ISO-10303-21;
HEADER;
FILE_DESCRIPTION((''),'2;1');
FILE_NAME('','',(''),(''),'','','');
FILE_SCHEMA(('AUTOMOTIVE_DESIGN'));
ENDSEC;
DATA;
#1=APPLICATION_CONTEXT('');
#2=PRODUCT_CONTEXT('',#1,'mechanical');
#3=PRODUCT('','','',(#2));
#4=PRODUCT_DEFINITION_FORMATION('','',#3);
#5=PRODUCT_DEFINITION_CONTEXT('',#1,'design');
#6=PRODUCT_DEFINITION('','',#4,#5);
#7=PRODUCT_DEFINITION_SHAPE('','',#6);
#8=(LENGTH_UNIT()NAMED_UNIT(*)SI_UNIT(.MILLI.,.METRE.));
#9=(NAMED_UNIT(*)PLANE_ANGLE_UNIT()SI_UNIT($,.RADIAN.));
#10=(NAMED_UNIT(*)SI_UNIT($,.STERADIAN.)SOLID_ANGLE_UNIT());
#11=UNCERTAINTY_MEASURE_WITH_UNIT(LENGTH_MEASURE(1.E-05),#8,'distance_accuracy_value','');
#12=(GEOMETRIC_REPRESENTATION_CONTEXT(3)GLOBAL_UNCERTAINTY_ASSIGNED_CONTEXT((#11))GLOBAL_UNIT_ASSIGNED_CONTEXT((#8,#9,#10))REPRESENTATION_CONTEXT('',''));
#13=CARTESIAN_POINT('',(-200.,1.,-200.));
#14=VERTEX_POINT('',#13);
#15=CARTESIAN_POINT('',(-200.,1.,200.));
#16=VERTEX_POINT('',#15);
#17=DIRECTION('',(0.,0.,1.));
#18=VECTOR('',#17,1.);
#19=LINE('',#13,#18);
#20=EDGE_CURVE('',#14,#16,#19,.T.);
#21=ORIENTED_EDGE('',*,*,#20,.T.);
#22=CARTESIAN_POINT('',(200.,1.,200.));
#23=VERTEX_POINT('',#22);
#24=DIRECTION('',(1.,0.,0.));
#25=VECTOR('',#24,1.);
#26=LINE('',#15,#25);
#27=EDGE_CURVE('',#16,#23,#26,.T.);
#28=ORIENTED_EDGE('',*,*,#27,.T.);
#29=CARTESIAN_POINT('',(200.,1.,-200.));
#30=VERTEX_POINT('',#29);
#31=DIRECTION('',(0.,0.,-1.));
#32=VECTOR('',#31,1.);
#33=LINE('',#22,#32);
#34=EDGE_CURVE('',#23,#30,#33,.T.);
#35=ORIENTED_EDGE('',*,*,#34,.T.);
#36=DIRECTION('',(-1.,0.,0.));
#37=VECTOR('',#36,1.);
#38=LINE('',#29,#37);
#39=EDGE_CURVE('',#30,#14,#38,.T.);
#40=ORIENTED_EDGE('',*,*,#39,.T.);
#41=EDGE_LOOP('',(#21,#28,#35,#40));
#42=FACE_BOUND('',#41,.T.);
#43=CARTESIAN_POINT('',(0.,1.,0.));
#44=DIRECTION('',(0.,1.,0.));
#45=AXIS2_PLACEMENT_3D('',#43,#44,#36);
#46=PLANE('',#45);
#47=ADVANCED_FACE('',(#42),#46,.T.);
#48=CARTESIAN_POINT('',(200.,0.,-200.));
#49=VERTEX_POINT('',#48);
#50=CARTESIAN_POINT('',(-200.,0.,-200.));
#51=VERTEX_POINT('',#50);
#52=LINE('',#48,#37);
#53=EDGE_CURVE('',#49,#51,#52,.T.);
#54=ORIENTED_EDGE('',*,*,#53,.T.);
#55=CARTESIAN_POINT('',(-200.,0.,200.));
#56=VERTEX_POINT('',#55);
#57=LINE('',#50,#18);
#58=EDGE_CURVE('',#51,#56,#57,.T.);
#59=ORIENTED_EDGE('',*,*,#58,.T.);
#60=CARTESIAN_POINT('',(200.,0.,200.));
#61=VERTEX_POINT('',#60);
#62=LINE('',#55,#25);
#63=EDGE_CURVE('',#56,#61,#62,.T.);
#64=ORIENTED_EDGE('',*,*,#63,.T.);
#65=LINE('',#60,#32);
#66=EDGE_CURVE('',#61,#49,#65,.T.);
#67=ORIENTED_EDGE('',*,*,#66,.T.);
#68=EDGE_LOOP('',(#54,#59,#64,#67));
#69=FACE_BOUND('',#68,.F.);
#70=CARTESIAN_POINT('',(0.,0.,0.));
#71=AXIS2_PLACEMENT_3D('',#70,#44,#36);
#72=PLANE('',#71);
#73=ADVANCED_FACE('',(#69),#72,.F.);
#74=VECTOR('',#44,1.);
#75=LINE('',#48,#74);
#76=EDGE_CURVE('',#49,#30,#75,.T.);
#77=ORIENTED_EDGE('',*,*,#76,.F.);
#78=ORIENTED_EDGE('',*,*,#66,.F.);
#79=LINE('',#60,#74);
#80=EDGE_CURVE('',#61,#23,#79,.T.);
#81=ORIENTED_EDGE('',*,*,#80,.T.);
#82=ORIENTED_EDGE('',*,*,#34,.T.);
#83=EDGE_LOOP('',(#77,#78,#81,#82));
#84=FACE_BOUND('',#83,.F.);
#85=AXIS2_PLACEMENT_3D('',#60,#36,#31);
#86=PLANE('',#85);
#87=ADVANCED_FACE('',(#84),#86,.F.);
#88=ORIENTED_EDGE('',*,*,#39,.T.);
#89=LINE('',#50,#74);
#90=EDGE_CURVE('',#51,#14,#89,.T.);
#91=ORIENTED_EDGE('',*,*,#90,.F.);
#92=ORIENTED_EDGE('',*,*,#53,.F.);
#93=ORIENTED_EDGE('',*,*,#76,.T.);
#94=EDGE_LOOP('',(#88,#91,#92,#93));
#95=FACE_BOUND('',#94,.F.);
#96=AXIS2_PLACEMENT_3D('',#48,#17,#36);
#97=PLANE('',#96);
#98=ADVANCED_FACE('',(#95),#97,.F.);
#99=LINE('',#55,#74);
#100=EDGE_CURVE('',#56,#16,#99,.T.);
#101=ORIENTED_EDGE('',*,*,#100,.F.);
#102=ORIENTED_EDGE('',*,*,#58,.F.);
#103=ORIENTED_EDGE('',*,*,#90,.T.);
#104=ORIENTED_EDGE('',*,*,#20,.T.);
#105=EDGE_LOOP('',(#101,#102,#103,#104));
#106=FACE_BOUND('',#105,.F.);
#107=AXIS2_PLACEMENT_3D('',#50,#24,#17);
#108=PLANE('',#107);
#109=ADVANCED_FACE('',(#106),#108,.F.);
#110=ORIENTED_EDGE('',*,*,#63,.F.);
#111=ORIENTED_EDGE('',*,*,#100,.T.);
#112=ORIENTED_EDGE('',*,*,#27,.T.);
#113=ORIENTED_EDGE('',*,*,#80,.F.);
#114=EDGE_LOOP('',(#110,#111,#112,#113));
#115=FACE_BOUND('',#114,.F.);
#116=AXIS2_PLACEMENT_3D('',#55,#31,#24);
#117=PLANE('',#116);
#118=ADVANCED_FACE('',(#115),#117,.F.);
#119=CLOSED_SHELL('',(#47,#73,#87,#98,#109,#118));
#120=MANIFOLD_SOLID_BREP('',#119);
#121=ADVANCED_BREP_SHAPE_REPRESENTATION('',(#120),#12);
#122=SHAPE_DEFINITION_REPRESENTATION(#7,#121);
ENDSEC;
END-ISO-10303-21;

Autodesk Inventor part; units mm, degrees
ref_plane "YZ Plane" through (0, 0, 0) normal (1, 0, 0) x (0, 1, 0)
ref_plane "XZ Plane" through (0, 0, 0) normal (0, 1, 0) x (-1, 0, 0)
ref_plane "XY Plane" through (0, 0, 0) normal (0, 0, 1) x (1, 0, 0)
sketch "Sketch1" plane through (0, 0, 0) normal (0, 1, 0) x (-1, 0, 0)
  line L0 (200, 200) -> (-200, 200)
  line L1 (-200, 200) -> (-200, -200)
  line L2 (-200, -200) -> (200, -200)
  line L3 (200, -200) -> (200, 200)
  line L4 (200, 200) -> (-200, -200) construction
  line L5 (-200, 200) -> (200, -200) construction
  point P0 (0, 0)
  dimension "d0" = 400
  dimension "d1" = 400
extrude "Extrusion1" add sketch "Sketch1" along normal blind 1
properties part number "grass"
